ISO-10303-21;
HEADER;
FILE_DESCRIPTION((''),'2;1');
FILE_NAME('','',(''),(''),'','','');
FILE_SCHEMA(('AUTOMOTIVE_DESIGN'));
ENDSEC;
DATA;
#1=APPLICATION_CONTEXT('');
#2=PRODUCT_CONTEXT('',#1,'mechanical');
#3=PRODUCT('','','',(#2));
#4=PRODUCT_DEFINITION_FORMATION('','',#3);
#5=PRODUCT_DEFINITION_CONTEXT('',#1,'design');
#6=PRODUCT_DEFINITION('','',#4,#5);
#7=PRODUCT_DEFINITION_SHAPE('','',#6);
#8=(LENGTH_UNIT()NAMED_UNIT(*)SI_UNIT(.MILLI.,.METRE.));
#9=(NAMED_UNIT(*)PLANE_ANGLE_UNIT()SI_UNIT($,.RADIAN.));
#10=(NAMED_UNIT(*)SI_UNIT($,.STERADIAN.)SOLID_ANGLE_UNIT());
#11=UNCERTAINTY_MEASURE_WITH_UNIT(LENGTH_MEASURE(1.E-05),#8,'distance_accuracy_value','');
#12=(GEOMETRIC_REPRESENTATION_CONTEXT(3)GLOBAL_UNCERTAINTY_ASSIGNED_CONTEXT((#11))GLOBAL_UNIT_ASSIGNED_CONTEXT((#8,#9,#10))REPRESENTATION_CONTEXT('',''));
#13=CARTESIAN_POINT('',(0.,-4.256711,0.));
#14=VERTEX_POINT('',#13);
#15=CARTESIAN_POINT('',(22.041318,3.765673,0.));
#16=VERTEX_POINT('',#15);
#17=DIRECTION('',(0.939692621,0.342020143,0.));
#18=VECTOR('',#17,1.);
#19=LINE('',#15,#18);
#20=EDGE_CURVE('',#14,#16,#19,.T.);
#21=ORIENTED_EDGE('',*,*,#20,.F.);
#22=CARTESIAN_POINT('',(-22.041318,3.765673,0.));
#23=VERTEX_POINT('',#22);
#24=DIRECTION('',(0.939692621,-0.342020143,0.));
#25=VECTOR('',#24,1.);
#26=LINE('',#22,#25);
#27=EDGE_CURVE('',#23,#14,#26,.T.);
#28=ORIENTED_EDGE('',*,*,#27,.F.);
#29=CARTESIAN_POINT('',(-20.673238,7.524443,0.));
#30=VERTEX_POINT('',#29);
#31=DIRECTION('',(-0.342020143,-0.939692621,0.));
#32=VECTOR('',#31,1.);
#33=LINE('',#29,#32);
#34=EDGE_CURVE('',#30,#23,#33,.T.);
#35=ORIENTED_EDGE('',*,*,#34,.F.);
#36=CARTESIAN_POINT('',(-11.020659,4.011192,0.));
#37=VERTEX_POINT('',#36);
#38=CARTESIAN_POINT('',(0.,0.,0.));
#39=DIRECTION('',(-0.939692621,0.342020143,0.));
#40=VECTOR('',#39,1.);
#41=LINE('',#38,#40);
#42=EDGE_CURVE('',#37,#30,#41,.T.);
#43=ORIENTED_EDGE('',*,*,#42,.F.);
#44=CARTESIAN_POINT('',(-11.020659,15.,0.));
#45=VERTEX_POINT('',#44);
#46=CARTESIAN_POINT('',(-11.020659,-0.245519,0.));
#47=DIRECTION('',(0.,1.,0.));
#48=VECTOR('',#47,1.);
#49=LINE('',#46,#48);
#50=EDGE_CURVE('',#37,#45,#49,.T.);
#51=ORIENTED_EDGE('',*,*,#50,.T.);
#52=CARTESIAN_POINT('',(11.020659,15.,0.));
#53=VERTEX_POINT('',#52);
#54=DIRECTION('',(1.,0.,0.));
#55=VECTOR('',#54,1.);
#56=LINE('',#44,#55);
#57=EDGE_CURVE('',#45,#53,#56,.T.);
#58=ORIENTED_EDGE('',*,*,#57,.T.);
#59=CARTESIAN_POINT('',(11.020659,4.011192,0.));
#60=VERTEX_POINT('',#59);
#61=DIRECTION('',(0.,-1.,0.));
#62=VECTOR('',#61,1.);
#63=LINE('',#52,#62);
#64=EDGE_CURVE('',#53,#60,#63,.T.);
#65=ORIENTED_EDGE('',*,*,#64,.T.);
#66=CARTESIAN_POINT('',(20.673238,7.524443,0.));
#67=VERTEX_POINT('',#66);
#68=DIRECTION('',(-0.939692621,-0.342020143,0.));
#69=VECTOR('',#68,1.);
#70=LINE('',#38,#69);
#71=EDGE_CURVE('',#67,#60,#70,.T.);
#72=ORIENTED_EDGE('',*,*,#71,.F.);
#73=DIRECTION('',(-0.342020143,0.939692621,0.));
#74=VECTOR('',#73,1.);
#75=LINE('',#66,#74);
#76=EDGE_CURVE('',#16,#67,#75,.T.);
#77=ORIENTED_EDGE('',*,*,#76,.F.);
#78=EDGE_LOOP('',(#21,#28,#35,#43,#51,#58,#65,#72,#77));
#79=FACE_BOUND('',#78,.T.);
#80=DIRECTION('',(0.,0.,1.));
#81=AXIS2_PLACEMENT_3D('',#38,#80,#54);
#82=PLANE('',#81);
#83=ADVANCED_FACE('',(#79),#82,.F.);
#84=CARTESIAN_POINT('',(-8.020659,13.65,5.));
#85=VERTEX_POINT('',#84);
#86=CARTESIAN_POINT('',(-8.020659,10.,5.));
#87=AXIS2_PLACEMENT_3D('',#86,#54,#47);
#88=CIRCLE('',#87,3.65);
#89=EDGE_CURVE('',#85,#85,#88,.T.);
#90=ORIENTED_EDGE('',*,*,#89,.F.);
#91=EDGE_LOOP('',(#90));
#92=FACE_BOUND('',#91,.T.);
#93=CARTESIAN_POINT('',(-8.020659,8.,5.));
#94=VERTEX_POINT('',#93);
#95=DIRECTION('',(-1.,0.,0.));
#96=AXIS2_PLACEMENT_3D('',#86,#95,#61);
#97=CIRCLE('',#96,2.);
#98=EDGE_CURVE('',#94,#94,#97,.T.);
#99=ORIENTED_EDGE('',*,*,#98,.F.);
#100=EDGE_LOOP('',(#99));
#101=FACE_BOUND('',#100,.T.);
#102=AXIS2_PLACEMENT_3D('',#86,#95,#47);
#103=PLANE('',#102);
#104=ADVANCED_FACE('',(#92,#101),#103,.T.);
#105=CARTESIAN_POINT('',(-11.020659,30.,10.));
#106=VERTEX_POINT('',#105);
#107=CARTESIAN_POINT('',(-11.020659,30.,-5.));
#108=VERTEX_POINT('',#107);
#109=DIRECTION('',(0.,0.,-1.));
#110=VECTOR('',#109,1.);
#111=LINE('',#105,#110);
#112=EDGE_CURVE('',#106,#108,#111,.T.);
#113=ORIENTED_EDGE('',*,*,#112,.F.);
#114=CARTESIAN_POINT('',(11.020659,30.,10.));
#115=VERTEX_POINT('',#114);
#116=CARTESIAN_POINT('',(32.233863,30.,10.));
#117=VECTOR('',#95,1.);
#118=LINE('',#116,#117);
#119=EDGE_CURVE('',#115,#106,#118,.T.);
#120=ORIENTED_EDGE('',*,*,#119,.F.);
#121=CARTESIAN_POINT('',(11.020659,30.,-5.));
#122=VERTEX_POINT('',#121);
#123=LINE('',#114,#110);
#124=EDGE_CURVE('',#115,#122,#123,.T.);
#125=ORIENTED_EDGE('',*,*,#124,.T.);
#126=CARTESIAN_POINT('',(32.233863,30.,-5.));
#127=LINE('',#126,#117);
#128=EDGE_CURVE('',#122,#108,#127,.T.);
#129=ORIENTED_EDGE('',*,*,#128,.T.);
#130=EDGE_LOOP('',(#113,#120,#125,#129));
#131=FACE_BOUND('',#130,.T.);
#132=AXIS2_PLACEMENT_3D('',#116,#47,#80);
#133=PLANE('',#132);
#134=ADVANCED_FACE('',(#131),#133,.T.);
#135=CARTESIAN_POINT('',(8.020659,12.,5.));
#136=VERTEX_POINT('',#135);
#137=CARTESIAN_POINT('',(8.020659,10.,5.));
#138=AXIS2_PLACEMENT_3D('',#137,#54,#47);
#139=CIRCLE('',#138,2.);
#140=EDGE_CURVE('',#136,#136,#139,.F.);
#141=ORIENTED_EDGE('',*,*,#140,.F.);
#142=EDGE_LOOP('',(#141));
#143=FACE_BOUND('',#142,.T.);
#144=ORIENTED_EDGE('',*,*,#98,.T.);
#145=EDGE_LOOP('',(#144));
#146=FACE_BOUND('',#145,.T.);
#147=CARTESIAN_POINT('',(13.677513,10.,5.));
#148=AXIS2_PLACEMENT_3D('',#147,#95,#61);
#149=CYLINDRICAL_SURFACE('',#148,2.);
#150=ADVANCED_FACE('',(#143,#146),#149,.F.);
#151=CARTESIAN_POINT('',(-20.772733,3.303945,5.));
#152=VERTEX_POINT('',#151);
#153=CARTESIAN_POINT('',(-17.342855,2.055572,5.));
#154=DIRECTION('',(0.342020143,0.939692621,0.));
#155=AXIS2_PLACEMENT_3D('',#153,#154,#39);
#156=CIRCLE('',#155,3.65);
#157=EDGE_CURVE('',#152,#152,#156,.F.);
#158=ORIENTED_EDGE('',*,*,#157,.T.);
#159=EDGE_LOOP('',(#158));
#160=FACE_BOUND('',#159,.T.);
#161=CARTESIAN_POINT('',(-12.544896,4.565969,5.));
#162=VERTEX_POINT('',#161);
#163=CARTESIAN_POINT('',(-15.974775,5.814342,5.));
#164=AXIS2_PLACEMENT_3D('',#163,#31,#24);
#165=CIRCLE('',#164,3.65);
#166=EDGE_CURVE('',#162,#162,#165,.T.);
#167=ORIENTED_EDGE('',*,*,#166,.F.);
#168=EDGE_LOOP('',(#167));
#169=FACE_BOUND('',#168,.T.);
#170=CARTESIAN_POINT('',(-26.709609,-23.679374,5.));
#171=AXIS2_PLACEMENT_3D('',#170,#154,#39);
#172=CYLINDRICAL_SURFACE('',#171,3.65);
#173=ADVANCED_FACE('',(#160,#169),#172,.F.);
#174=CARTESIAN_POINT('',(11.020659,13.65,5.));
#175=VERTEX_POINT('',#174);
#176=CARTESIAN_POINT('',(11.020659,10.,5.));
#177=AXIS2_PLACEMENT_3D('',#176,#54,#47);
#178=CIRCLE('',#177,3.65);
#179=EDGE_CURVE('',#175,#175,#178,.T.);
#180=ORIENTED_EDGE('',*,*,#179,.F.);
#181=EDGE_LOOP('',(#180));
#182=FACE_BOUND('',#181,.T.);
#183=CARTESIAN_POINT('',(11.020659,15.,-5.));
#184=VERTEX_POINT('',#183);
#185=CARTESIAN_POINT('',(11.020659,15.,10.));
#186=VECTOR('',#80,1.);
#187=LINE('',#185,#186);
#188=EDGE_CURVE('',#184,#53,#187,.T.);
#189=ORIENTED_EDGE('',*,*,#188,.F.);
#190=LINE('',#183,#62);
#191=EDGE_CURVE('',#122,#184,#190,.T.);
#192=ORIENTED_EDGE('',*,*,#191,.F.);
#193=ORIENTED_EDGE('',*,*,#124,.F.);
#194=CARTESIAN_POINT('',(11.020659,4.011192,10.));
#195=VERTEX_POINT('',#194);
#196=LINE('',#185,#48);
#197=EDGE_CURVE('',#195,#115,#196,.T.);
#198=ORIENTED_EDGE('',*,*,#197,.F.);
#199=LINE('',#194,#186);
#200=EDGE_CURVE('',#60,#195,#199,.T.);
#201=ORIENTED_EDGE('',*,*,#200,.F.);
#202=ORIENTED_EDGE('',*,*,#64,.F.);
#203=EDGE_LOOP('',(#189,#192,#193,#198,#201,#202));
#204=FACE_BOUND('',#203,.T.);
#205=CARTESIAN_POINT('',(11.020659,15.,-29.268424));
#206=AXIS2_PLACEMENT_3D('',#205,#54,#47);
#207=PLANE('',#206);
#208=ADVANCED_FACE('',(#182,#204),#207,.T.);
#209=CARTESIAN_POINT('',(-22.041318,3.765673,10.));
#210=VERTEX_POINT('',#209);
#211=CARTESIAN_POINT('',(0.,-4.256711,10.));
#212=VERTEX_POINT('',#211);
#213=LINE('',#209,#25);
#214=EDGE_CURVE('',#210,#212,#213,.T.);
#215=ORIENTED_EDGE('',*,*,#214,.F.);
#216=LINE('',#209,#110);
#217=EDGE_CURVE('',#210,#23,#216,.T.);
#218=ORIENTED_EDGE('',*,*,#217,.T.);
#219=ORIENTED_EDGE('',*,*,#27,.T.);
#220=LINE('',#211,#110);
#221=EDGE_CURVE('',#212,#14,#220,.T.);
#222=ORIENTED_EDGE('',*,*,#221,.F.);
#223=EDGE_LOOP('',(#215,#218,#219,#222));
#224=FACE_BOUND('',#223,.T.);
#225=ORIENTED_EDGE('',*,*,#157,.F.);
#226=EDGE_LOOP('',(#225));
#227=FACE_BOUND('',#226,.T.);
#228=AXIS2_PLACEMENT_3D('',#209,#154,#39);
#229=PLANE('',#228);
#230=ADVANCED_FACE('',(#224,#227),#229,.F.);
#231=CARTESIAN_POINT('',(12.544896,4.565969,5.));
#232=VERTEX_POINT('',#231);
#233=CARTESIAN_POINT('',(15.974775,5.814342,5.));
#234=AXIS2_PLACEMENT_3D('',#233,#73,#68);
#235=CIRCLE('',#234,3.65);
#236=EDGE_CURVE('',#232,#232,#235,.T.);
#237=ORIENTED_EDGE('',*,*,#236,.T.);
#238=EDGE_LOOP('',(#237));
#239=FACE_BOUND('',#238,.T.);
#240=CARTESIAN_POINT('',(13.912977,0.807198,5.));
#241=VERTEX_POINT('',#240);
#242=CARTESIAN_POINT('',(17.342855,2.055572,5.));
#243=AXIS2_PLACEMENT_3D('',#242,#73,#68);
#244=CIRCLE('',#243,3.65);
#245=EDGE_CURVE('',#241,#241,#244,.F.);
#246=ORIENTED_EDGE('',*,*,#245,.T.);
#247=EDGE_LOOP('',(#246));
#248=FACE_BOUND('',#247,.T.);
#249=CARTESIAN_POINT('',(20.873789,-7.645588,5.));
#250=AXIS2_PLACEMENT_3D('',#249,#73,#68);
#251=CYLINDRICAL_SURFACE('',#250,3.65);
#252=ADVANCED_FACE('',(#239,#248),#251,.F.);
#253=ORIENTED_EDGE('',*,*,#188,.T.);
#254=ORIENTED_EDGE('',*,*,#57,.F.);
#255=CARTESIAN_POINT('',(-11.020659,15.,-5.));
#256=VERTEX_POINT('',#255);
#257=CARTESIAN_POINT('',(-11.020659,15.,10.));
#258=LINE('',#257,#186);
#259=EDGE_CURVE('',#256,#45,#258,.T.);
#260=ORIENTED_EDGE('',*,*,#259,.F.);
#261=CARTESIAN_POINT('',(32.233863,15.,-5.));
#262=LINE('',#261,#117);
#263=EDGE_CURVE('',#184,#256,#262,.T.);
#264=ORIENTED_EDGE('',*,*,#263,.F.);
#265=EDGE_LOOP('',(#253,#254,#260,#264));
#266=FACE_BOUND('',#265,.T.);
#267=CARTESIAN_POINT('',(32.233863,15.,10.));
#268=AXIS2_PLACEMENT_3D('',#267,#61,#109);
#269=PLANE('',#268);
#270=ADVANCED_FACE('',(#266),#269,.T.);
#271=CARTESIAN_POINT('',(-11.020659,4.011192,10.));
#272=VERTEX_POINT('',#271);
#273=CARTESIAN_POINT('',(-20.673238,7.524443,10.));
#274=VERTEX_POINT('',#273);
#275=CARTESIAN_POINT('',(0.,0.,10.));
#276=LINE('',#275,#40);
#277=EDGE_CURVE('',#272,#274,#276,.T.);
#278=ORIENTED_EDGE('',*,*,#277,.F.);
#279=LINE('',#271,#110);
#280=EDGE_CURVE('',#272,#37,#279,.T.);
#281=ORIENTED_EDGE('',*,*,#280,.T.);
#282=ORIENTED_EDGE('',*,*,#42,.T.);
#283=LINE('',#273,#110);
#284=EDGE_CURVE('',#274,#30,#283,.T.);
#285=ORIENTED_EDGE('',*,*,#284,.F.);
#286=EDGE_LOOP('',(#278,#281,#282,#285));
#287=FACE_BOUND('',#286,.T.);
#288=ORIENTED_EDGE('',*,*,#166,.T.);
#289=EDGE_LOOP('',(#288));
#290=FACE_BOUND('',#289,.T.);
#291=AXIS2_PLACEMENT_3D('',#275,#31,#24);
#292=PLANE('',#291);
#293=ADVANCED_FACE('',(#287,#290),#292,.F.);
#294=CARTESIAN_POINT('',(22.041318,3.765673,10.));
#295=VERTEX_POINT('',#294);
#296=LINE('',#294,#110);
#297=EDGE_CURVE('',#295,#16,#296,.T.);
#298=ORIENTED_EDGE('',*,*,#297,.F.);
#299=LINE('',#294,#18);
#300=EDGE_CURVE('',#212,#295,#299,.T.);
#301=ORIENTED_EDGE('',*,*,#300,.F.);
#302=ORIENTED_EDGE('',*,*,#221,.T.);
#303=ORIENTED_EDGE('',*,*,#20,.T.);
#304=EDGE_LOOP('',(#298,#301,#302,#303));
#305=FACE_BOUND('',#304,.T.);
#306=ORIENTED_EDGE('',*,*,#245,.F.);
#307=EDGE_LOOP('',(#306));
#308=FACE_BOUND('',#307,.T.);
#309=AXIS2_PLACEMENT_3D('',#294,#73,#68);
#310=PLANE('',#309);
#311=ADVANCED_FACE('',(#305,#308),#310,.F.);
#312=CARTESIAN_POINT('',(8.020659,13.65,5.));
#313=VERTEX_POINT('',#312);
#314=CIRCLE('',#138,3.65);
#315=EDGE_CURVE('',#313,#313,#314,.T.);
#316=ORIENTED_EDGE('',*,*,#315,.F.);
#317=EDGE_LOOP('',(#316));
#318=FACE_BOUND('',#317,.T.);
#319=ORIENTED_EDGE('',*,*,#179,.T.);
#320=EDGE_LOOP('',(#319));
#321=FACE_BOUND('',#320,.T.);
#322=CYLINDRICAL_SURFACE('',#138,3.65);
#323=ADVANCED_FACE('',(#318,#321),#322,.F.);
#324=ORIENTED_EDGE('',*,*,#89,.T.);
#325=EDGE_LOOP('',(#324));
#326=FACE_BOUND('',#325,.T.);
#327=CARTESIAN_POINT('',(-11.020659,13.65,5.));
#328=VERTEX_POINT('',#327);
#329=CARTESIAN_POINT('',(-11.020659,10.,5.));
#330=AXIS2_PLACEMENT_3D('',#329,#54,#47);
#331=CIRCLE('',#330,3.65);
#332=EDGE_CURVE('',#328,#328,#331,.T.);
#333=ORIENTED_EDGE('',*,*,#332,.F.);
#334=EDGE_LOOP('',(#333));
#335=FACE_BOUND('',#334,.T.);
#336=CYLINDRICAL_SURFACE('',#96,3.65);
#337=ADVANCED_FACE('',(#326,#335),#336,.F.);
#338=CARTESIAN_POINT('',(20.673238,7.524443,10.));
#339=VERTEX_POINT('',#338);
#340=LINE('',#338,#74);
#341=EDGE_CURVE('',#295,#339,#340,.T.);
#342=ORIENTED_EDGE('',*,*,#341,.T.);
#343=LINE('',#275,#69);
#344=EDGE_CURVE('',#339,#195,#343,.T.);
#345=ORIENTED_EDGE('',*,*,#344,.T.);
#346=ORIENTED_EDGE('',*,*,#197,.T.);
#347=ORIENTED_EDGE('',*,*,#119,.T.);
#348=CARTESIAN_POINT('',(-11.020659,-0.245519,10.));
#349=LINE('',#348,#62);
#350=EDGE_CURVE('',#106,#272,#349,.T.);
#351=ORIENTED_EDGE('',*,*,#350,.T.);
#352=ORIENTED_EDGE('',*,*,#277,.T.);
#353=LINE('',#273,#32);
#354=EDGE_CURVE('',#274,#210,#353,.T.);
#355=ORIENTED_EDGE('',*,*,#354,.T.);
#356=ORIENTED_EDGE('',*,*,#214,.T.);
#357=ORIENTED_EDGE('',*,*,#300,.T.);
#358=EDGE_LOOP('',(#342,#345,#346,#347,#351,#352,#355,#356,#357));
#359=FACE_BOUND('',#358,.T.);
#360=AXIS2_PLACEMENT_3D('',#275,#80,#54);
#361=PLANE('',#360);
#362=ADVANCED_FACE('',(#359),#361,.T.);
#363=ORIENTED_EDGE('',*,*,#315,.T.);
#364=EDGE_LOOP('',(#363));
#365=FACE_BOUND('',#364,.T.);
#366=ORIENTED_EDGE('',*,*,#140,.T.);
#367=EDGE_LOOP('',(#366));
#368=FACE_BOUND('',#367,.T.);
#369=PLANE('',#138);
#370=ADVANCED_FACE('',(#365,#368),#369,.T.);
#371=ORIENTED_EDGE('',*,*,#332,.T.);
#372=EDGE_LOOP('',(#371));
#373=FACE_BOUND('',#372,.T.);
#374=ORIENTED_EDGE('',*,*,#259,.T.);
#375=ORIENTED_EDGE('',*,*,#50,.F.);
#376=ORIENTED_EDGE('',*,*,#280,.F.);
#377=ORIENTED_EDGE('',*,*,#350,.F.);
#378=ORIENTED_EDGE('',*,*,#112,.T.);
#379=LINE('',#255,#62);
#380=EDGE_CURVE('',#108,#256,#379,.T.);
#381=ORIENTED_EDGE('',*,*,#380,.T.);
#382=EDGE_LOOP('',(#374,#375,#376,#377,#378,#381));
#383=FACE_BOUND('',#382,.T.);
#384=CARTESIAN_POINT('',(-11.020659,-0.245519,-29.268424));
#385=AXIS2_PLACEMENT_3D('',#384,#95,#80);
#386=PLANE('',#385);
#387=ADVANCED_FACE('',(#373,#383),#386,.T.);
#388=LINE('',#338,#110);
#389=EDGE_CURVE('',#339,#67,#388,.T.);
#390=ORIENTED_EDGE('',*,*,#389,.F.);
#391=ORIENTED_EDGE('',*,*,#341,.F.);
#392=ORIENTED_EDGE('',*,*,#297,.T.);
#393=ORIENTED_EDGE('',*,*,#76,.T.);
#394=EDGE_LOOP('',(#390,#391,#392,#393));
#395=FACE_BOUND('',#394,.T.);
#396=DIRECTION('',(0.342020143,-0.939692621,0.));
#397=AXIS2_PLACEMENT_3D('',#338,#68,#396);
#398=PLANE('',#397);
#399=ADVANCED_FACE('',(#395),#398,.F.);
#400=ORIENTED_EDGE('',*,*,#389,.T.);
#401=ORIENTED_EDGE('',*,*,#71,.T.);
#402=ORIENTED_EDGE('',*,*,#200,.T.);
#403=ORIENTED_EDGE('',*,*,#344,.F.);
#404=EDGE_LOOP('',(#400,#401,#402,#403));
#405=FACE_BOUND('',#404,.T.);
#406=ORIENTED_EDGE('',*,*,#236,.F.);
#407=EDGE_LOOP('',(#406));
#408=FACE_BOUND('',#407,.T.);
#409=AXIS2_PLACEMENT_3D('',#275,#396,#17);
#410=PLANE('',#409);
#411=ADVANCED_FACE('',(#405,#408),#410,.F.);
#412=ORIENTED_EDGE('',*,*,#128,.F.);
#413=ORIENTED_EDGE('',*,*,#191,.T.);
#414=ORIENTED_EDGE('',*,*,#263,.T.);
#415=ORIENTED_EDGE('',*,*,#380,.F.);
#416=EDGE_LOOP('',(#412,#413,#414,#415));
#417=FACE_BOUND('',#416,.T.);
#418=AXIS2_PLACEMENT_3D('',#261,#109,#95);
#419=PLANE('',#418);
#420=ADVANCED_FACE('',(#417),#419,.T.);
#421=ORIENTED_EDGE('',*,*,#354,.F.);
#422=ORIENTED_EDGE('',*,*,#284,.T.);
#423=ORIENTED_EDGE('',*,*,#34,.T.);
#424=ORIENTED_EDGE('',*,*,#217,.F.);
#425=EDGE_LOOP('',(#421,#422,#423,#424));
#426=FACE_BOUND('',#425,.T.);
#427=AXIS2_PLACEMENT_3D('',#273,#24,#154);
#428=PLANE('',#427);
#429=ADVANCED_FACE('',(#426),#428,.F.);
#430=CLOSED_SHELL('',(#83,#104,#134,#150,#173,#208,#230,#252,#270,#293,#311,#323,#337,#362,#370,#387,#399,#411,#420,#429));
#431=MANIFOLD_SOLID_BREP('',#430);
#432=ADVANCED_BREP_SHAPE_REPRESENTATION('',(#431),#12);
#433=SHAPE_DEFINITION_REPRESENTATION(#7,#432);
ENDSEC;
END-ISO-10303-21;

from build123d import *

# Parameters (mm, degrees)
BOSS_EXTRUDE1_DEPTH = 10
SKETCH2_R           = 3.65
CUT_EXTRUDE1_DEPTH  = 16.423609234
BOSS_EXTRUDE3_DEPTH = 10
SKETCH6_R           = 3.65
CUT_EXTRUDE4_DEPTH  = 3
SKETCH8_R           = 2
CUT_EXTRUDE5_DEPTH  = 16.041318231
SKETCH9_W           = 15
SKETCH9_H           = 15
BOSS_EXTRUDE4_DEPTH = 22.041318231


with BuildPart() as part:
    # Sketch1 → Boss-Extrude1 (new body)
    with BuildSketch(Plane.XY):
        Polygon((0, 0), (20.673237657, 7.524443153), (22.041318231, 3.76567267), (0, -4.25671109), (-22.041318231, 3.76567267), (-20.673237657, 7.524443153), align=None)
    extrude(amount=BOSS_EXTRUDE1_DEPTH)

    # Sketch2 → Cut-Extrude1 (cut)
    with BuildSketch(Plane(origin=(0, 0, 0), x_dir=(0.9396926207859093, 0.34202014332566627, 0), z_dir=(-0.34202014332566627, 0.9396926207859093, 0))):
        with Locations(Location((17, -5, 0), (0, 0, 180))):
            Circle(SKETCH2_R)
    cut_extrude1 = extrude(amount=-CUT_EXTRUDE1_DEPTH, mode=Mode.SUBTRACT)

    # Mirror1: Cut-Extrude1 across plane
    add(cut_extrude1.mirror(Plane(origin=(0, 0, 0), x_dir=(0, 0, 1), z_dir=(1, 0, 0))), mode=Mode.SUBTRACT)

    # Sketch3 → Boss-Extrude3 (add)
    with BuildSketch(Plane.XY.offset(10)):
        Polygon((0, -4.25671109), (-11.020659115, -0.24551921), (-11.020659115, 15), (11.020659115, 15), (11.020659115, -0.24551921), align=None)
    extrude(amount=-BOSS_EXTRUDE3_DEPTH)

    # Sketch6 → Cut-Extrude4 (cut)
    with BuildSketch(Plane(origin=(11.020659115, 0, 0), x_dir=(0, 0, -1), z_dir=(1, 0, 0))):
        with Locations(Location((-5, 10, 0), (0, 0, 90))):
            Circle(SKETCH6_R)
    cut_extrude4 = extrude(amount=-CUT_EXTRUDE4_DEPTH, mode=Mode.SUBTRACT)

    # Mirror3: Cut-Extrude4 across plane
    add(cut_extrude4.mirror(Plane(origin=(0, 0, 0), x_dir=(0, 0, 1), z_dir=(1, 0, 0))), mode=Mode.SUBTRACT)

    # Sketch8 → Cut-Extrude5 (cut)
    with BuildSketch(Plane.ZY.offset(8.020659115)):
        with Locations(Location((5, 10, 0), (0, 0, 270))):
            Circle(SKETCH8_R)
    extrude(amount=-CUT_EXTRUDE5_DEPTH, mode=Mode.SUBTRACT)

    # Sketch9 → Boss-Extrude4 (add)
    with BuildSketch(Plane.ZY.offset(11.020659115)):
        with Locations((2.5, 22.5)):
            Rectangle(SKETCH9_W, SKETCH9_H)
    extrude(amount=-BOSS_EXTRUDE4_DEPTH)


solid = part.part
